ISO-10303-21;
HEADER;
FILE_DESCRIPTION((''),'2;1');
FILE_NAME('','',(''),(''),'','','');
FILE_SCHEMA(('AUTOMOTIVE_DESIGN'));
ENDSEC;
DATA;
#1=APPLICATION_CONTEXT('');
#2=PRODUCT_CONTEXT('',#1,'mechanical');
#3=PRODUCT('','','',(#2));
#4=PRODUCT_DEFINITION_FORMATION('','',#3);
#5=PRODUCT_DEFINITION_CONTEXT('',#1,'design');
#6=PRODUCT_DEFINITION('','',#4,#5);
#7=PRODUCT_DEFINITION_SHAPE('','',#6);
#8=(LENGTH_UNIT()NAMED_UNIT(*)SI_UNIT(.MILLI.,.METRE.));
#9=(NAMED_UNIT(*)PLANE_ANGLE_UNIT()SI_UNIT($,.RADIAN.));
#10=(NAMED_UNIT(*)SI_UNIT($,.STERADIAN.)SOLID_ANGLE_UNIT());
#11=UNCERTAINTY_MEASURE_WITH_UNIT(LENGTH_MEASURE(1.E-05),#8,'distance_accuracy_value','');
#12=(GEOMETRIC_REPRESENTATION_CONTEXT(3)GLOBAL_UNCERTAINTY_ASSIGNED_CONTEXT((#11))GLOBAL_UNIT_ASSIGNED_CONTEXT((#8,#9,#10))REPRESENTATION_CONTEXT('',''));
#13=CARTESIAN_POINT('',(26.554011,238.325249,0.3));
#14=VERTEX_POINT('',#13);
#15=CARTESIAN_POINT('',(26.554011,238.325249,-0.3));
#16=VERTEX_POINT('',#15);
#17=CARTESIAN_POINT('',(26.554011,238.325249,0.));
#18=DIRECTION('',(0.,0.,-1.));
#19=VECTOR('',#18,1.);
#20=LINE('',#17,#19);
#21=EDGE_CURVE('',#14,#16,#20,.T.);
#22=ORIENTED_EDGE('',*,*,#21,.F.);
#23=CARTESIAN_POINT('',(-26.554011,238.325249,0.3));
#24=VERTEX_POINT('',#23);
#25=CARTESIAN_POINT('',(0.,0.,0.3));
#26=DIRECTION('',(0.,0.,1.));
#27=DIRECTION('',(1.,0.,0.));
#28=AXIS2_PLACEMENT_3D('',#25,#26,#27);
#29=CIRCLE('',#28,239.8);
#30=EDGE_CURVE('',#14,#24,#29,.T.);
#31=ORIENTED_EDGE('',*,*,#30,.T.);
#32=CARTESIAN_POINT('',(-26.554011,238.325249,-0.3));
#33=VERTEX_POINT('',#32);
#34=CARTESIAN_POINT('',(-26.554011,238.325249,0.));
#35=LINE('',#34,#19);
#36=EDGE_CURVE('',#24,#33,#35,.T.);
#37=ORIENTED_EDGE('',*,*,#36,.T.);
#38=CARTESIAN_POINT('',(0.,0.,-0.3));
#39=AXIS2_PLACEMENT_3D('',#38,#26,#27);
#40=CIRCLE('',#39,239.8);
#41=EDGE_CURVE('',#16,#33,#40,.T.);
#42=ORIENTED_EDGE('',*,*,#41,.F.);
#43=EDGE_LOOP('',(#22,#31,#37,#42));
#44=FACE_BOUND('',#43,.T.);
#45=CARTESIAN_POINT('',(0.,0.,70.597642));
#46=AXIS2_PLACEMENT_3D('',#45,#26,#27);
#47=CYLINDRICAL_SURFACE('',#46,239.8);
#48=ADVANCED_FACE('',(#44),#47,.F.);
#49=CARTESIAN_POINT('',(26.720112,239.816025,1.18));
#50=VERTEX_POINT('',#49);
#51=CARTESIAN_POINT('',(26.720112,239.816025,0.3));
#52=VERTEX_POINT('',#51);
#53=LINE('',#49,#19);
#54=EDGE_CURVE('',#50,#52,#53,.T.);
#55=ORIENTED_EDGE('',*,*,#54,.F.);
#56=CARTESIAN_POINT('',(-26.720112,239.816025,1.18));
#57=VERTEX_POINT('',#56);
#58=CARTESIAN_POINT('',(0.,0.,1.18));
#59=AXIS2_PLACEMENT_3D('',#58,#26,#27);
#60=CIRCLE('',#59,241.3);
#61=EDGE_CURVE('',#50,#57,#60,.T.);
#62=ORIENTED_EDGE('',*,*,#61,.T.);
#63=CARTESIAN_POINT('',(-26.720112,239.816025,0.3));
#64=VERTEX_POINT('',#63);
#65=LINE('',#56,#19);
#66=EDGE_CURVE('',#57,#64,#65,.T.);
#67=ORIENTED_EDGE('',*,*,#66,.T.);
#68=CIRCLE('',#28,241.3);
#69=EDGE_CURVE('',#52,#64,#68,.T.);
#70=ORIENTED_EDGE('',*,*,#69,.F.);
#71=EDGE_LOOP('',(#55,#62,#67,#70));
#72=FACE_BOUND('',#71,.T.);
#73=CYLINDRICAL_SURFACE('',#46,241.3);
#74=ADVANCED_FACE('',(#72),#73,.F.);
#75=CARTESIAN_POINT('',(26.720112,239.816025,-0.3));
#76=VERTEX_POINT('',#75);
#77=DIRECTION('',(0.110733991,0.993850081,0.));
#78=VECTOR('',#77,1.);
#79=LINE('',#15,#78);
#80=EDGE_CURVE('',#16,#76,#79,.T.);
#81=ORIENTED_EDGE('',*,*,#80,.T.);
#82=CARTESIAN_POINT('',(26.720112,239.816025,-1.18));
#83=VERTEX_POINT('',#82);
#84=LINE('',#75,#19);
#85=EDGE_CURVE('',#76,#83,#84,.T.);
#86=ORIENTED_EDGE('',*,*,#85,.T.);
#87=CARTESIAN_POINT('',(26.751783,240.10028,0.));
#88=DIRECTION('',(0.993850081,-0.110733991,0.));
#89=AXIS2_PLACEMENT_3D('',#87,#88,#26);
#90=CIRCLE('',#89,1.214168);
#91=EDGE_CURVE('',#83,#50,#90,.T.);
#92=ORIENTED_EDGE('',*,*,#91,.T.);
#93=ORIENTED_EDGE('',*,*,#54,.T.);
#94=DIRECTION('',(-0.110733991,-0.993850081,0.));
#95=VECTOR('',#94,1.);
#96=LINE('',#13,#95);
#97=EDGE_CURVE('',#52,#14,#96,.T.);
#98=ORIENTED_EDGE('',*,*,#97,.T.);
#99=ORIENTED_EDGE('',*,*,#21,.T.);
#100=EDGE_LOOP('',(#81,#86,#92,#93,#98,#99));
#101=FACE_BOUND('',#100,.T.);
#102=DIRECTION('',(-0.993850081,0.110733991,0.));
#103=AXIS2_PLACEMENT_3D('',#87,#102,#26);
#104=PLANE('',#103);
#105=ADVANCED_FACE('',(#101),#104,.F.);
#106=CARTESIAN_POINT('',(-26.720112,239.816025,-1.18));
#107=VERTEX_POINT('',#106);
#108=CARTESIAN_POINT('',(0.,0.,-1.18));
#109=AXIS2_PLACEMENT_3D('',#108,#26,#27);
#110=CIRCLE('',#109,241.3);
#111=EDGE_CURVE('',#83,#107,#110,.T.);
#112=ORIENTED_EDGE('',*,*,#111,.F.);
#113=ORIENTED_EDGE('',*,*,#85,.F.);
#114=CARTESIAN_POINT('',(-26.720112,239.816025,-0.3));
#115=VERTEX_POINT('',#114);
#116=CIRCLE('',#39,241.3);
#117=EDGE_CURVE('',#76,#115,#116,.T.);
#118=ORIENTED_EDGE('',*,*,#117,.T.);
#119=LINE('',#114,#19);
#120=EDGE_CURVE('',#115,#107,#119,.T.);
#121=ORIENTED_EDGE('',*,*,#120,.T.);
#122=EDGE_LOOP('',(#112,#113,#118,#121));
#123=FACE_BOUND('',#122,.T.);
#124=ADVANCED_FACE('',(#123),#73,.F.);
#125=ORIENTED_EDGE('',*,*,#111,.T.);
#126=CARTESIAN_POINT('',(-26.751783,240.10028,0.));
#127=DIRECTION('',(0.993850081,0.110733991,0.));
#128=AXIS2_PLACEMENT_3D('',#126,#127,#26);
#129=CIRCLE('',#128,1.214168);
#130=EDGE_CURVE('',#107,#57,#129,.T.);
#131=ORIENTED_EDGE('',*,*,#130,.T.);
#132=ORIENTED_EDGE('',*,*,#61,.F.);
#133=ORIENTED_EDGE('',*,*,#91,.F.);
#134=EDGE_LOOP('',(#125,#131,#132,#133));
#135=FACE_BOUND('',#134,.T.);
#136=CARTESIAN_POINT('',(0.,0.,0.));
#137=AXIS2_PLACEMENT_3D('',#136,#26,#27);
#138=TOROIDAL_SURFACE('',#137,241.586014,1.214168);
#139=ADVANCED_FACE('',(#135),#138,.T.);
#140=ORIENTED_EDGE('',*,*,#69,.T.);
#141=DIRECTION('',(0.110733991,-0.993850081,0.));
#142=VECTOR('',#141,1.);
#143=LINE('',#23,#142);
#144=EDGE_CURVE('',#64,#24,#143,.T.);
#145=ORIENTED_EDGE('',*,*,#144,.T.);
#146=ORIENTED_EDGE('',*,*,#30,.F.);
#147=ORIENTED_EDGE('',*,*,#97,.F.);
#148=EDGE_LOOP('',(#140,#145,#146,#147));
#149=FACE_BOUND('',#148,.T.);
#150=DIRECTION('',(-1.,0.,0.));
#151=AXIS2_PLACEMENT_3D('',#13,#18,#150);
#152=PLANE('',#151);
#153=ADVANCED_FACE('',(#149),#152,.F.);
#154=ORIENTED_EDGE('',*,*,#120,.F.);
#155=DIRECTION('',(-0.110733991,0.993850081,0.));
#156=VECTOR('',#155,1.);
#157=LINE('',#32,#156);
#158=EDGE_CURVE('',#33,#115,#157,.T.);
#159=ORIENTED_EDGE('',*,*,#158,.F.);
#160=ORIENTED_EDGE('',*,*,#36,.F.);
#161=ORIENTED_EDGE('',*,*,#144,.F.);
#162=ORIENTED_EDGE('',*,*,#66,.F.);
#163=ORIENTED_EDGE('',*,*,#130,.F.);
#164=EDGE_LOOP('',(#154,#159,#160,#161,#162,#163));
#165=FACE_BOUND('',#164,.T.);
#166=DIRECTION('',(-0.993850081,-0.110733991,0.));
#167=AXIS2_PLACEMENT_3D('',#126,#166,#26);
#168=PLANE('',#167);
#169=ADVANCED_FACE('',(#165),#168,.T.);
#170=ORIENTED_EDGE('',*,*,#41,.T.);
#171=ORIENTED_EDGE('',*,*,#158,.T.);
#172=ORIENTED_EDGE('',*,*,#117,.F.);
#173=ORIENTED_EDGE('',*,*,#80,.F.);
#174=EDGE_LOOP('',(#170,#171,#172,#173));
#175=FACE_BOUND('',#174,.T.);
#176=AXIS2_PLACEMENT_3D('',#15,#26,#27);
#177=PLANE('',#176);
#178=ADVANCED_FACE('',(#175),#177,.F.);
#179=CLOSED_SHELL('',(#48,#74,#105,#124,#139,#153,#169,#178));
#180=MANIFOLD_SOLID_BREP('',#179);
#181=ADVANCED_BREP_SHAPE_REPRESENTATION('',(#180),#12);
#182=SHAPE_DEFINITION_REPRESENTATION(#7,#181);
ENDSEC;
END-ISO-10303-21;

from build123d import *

# Parameters (mm, degrees)
REVOLVE1_ANGLE           = 6.357628646
REVOLVE1_OTHER_WAY_ANGLE = 6.357628646


with BuildPart() as part:
    # Sketch2 → Revolve1 (revolve)
    with BuildSketch(Plane(origin=(0, 0, 0), x_dir=(0, 0, -1), z_dir=(1, 0, 0))):
        with BuildLine():
            Line((0, 239.8), (0.3, 239.8))
            Line((0.3, 239.8), (0.3, 241.3))
            Line((0.3, 241.3), (1.18, 241.3))
            ThreePointArc((1.18, 241.3), (0, 242.800182019), (-1.18, 241.3))
            Line((-1.18, 241.3), (-0.3, 241.3))
            Line((-0.3, 241.3), (-0.3, 239.8))
            Line((-0.3, 239.8), (0, 239.8))
        make_face()
    revolve(axis=Axis((0, 0, 70.597641597), (0, 0, -1)), revolution_arc=REVOLVE1_ANGLE)

    # Sketch2 → Revolve1 other way (revolve)
    with BuildSketch(Plane(origin=(0, 0, 0), x_dir=(0, 0, -1), z_dir=(1, 0, 0))):
        with BuildLine():
            Line((0, 239.8), (0.3, 239.8))
            Line((0.3, 239.8), (0.3, 241.3))
            Line((0.3, 241.3), (1.18, 241.3))
            ThreePointArc((1.18, 241.3), (0, 242.800182019), (-1.18, 241.3))
            Line((-1.18, 241.3), (-0.3, 241.3))
            Line((-0.3, 241.3), (-0.3, 239.8))
            Line((-0.3, 239.8), (0, 239.8))
        make_face()
    revolve(axis=Axis((0, 0, 70.597641597), (0, 0, 1)), revolution_arc=REVOLVE1_OTHER_WAY_ANGLE)


solid = part.part
